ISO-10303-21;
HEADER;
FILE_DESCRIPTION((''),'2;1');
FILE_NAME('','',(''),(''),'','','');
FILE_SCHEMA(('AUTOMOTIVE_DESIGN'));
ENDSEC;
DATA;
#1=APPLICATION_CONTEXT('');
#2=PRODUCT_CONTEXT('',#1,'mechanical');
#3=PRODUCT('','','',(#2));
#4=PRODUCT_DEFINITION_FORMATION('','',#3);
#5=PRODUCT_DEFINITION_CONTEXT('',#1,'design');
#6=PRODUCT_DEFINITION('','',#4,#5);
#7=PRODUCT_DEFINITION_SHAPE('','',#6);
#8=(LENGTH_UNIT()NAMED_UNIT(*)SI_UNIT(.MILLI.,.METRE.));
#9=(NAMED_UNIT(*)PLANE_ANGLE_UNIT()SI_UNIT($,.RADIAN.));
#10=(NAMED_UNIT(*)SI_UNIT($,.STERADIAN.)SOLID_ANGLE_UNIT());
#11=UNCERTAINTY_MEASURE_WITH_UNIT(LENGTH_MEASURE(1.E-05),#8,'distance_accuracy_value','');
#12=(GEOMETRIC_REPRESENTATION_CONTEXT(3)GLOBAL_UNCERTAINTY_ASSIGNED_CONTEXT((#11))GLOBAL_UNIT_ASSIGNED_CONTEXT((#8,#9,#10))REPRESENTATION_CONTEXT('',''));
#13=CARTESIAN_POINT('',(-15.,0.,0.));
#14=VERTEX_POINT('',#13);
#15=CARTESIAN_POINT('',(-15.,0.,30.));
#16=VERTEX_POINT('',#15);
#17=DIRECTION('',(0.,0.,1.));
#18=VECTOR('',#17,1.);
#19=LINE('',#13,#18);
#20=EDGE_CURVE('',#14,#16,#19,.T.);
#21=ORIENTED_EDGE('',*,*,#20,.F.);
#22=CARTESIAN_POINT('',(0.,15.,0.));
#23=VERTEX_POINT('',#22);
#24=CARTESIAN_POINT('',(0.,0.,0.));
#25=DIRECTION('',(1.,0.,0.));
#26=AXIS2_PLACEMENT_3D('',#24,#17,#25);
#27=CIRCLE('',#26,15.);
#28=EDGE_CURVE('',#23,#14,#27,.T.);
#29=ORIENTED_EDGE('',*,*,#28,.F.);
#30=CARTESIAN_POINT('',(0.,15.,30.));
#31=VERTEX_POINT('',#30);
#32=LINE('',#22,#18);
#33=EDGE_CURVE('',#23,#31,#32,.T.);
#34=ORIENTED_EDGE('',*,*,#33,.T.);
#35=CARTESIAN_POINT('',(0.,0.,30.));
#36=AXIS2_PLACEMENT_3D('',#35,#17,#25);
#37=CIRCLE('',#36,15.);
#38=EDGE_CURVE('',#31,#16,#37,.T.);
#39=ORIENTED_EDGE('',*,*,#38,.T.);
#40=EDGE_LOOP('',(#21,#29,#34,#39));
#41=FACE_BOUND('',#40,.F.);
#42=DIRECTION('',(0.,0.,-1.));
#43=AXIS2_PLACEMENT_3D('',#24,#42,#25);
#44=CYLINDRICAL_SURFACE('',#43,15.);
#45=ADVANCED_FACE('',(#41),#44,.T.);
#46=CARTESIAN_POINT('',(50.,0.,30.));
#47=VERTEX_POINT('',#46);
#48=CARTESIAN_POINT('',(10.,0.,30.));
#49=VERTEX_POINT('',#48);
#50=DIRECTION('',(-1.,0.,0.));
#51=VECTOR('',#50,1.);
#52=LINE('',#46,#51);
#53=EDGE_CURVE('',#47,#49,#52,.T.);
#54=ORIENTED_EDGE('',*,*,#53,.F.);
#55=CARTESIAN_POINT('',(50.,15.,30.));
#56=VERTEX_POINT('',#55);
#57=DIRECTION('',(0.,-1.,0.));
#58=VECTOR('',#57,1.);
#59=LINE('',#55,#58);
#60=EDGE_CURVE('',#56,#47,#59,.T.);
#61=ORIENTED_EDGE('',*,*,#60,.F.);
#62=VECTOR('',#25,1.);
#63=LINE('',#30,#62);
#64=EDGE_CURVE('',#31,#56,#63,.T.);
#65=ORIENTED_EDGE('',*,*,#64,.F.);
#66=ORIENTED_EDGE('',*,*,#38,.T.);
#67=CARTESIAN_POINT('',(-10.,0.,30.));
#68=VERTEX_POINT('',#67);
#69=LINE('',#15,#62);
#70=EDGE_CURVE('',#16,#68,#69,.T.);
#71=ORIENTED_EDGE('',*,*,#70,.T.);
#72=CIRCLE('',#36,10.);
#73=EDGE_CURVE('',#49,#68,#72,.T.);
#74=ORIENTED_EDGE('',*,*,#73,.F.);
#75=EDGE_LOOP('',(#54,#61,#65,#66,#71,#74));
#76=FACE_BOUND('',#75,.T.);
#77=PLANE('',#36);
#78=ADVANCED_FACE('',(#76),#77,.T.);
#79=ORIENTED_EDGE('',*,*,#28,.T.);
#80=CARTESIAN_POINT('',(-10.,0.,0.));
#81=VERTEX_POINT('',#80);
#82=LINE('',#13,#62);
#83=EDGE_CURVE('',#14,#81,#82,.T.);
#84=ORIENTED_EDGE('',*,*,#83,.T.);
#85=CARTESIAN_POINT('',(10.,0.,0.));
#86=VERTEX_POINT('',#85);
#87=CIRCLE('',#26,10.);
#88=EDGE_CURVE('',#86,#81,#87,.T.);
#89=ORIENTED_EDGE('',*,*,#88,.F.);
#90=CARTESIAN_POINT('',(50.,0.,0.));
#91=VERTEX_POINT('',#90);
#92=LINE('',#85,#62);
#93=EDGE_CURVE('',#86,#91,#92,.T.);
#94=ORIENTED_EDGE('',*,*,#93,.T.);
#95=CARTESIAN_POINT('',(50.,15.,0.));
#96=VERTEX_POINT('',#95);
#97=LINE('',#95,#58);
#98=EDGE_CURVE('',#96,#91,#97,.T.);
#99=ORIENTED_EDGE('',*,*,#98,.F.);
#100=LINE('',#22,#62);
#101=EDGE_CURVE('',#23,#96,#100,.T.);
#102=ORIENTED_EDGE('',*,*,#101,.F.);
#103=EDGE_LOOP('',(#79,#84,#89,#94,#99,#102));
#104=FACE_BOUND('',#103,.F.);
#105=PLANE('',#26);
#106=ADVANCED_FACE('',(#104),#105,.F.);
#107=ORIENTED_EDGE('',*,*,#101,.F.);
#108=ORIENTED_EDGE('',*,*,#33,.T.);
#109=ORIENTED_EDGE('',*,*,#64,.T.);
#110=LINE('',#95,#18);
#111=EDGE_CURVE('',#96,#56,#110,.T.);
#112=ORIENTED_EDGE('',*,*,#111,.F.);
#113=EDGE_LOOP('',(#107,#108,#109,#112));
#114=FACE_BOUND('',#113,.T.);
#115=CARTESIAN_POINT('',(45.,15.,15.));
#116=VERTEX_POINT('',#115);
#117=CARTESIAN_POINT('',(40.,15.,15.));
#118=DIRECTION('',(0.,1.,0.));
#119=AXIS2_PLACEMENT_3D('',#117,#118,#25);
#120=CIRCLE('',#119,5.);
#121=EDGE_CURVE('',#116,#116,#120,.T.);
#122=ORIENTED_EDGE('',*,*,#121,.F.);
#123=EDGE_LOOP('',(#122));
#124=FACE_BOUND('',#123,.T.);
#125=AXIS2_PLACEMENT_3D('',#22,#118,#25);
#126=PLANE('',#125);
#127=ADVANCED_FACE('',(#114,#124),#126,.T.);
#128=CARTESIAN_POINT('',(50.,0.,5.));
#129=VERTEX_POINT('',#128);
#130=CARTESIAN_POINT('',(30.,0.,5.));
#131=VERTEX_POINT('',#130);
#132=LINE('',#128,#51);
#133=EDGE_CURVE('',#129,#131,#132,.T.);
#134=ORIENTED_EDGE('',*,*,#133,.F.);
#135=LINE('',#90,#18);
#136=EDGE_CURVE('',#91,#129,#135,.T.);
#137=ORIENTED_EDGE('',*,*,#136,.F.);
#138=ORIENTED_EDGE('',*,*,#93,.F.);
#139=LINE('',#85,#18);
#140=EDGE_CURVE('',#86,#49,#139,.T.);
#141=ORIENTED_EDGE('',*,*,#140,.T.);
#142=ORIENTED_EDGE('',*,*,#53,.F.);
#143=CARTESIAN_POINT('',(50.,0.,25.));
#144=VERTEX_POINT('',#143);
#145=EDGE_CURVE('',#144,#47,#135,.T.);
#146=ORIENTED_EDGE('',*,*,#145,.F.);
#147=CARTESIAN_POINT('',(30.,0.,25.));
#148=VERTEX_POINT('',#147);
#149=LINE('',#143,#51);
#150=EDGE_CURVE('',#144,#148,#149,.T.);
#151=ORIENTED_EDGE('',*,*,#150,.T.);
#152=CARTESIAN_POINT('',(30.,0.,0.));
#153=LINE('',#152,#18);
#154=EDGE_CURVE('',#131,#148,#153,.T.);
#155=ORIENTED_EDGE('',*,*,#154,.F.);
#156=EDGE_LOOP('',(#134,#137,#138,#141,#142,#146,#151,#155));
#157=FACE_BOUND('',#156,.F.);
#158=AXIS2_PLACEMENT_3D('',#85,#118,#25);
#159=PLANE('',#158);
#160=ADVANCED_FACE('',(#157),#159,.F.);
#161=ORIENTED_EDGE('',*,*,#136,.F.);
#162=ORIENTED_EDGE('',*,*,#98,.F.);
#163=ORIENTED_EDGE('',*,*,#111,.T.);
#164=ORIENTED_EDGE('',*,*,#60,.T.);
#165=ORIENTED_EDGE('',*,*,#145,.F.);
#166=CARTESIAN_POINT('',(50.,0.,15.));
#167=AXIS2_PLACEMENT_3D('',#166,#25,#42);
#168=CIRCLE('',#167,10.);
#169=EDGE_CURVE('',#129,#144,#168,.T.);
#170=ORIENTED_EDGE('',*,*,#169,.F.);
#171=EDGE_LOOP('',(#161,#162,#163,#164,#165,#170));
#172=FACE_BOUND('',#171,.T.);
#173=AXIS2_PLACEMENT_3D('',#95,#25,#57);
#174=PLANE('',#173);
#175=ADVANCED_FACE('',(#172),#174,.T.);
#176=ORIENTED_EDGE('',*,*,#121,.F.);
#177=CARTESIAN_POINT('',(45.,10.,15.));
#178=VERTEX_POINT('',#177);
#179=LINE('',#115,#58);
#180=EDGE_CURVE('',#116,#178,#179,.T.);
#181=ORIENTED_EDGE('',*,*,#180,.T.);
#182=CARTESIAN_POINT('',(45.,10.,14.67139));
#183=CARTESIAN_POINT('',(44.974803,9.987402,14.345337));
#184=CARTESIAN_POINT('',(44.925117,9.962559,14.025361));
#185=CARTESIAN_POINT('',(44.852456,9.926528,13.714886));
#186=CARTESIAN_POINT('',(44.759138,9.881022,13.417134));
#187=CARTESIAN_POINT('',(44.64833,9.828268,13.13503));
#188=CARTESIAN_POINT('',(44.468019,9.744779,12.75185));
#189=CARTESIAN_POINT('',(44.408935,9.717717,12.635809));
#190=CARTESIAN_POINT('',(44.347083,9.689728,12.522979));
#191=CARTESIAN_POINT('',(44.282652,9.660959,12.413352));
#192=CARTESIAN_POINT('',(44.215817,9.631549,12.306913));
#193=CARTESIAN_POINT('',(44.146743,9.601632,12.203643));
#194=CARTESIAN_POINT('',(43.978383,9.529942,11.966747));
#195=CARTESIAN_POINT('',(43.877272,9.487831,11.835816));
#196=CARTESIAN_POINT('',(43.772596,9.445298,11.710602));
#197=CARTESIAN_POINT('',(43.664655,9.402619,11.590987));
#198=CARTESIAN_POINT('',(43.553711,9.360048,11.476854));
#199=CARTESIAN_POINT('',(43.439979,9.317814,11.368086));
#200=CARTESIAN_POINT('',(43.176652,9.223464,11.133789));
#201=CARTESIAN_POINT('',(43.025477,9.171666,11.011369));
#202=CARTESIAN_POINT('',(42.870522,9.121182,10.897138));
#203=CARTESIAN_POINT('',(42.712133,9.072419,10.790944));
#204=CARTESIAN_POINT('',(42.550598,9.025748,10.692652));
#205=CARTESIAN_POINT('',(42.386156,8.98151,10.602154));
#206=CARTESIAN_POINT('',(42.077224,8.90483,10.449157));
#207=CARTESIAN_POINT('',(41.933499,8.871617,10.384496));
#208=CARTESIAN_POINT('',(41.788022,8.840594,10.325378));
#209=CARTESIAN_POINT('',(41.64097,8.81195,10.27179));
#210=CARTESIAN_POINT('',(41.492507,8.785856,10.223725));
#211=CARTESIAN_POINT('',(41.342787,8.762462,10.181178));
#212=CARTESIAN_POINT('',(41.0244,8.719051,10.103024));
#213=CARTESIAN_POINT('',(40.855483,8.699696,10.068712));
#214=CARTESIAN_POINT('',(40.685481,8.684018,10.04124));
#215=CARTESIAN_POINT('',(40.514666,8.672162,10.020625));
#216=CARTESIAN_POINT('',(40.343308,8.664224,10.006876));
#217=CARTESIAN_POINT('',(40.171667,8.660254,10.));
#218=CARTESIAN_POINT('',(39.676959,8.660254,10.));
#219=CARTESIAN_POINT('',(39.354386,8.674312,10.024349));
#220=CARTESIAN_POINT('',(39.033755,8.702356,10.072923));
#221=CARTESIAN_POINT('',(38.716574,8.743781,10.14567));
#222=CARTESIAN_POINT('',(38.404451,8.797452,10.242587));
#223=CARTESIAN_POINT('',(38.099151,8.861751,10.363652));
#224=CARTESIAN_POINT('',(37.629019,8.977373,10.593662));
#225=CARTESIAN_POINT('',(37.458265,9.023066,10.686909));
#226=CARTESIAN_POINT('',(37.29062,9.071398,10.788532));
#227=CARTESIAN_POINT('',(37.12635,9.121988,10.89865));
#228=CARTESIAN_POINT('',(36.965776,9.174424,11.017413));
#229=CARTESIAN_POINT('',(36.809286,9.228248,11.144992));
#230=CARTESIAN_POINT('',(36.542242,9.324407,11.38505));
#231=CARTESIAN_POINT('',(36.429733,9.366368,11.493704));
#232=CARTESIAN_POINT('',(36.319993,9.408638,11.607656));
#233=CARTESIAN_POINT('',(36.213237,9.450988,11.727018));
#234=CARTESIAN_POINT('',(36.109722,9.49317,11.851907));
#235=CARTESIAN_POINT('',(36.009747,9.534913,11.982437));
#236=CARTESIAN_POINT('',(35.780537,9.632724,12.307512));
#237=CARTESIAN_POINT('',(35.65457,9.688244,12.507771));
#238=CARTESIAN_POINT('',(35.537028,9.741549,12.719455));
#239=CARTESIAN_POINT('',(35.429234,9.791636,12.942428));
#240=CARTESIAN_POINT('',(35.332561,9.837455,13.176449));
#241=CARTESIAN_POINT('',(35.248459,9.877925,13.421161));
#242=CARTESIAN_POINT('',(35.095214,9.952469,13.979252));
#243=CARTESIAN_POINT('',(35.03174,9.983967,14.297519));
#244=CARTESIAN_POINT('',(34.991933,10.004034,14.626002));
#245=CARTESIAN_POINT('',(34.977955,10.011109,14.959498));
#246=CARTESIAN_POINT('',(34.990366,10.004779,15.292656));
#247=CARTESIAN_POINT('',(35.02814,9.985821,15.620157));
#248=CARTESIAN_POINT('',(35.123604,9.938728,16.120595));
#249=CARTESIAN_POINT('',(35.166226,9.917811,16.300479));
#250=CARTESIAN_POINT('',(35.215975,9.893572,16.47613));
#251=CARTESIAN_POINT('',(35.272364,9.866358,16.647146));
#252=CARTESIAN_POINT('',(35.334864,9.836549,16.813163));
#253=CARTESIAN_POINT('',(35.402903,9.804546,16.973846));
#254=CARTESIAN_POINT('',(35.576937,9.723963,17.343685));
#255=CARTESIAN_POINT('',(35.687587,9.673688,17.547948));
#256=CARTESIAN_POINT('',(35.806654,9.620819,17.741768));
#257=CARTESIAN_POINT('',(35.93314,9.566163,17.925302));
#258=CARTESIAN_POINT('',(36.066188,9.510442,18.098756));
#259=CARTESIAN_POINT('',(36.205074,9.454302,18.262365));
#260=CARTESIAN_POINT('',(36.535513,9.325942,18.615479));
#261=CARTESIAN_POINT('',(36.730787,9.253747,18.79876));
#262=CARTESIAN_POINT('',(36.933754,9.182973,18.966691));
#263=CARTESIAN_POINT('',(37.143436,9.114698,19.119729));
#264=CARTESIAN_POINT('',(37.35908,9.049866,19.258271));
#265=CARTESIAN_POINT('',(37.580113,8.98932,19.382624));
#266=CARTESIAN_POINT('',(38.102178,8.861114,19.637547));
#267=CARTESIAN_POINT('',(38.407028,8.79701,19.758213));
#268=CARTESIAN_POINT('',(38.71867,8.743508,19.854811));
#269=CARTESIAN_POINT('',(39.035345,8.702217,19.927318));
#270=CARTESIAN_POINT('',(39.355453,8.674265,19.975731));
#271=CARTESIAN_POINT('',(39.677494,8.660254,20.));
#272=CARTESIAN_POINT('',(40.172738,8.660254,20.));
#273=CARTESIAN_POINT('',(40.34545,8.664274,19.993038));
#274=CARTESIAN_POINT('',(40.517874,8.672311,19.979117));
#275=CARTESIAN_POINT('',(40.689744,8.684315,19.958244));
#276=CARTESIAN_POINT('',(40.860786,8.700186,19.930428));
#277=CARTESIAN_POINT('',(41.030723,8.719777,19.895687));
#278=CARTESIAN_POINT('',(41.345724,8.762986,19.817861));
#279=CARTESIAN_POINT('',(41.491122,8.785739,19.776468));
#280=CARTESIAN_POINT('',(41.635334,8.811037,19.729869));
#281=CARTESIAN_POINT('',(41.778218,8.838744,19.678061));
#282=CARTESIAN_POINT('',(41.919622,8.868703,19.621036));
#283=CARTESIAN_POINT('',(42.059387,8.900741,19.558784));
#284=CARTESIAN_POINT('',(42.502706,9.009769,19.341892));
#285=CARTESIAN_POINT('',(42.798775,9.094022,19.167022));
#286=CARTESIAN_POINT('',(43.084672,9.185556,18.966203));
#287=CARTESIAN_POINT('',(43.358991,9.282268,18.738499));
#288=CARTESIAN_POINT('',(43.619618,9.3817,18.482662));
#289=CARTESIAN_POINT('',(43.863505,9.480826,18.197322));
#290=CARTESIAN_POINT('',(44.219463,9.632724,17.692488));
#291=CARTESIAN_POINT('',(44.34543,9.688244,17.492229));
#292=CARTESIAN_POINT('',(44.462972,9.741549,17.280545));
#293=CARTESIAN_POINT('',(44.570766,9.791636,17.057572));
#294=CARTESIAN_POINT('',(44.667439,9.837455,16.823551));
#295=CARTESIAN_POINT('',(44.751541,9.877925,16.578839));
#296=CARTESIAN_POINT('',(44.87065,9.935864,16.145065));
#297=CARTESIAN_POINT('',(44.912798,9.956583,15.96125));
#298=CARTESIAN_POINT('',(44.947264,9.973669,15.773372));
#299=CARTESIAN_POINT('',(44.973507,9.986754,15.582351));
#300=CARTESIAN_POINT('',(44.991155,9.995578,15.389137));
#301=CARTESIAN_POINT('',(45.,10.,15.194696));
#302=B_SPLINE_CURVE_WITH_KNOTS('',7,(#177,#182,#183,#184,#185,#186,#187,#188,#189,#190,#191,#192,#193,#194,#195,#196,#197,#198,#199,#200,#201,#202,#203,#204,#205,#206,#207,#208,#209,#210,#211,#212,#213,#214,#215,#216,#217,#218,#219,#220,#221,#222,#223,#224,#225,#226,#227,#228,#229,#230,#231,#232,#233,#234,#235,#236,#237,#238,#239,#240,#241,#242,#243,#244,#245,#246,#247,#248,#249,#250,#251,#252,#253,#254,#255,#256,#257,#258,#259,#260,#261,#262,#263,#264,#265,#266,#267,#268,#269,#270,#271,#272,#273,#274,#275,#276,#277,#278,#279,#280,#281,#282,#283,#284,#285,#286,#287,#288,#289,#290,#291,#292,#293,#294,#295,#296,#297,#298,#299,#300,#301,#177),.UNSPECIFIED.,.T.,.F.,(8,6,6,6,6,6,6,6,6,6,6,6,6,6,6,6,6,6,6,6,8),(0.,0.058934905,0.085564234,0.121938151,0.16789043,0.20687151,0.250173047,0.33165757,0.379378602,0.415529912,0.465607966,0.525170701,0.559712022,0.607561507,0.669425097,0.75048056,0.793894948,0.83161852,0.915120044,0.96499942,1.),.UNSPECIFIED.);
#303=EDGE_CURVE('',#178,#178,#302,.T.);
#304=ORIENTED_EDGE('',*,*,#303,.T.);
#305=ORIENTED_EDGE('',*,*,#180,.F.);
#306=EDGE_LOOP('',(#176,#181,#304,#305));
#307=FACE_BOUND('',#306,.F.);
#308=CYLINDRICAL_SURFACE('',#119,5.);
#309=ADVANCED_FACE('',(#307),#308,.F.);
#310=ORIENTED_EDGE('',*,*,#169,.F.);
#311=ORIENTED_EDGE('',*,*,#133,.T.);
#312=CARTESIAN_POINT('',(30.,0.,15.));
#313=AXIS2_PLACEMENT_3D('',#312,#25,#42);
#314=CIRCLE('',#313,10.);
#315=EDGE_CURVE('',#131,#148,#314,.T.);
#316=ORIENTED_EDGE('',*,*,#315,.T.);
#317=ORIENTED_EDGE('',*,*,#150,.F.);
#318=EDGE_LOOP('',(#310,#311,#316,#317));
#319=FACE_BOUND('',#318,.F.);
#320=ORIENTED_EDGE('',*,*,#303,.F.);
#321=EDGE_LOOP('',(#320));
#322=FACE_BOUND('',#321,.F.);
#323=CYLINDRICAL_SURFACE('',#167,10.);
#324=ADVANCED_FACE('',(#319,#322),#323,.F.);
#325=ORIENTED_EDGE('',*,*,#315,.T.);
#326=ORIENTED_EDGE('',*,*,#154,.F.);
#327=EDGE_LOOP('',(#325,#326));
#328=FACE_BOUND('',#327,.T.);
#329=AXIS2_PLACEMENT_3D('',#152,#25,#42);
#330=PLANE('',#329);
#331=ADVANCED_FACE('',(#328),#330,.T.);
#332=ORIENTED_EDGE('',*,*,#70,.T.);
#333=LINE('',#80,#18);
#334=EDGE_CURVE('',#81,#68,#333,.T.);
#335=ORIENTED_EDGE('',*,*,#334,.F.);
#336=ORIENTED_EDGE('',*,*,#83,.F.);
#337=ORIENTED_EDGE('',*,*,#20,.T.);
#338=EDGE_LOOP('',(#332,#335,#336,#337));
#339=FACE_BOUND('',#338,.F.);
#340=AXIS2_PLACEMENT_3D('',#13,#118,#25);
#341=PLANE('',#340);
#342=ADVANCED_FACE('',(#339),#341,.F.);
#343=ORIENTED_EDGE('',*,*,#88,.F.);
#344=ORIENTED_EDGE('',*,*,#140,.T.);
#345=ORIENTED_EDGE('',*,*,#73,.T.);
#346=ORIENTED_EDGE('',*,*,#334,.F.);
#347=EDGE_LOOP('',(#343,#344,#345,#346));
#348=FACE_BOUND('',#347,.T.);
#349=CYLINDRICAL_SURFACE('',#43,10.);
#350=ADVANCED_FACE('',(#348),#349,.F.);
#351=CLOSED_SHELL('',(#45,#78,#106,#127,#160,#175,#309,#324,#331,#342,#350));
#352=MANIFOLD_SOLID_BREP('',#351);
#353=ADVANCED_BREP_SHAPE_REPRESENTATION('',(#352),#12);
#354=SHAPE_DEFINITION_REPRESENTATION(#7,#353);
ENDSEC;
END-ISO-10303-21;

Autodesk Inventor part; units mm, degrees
ref_plane "YZ Plane" through (0, 0, 0) normal (1, 0, 0) x (0, 1, 0)
ref_plane "XZ Plane" through (0, 0, 0) normal (0, 1, 0) x (-1, 0, 0)
ref_plane "XY Plane" through (0, 0, 0) normal (0, 0, 1) x (1, 0, 0)
sketch "Sketch1" plane through (0, 0, 0) normal (0, 0, 1) x (1, 0, 0)
  circle A0 centre (0, 0) radius 10
  circle A1 centre (0, 0) radius 15
  line L0 (0, 15) -> (50, 15)
  line L1 (50, 15) -> (50, -15)
  line L2 (0, -15) -> (50, -15)
  line L3 (-15, 0) -> (50, 0)
  point P0 (-10, 0)
  point P1 (10, 0)
  dimension "d0" = 20
  dimension "d1" = 30
  dimension "d2" = 50
extrude "Extrusion1" add sketch "Sketch1" along normal blind 30 contours A0 L3 A1 | A1 L0 L1 L3 picked at (13.208, 1.1126)
sketch "Sketch2" plane through (50, 0, 0) normal (1, 0, 0) x (0, 0, -1)
  line L0 (0, 0) -> (-30, 0) projected
  circle A0 centre (-15, 0) radius 10
  point P0 (-25, 0)
  point P1 (-5, 0)
  dimension "d5" = 20
extrude "Extrusion2" cut sketch "Sketch2" against normal blind 20 contours L0 A0 picked at (-12.505, 2.2104)
sketch "Sketch3" plane through (0, 15, 0) normal (0, 1, 0) x (1, 0, 0)
  line L0 (50, 0) -> (0, 0) projected
  line L1 (0, 0) -> (0, -30) projected
  line L2 (50, -30) -> (0, -30) projected
  line L3 (50, 0) -> (50, -30) projected
  line L4 (50, -5) -> (50, -25) construction
  line L5 (50, -15) -> (40, -15) construction
  circle A0 centre (40, -15) radius 5
  dimension "d8" = 10
  dimension "d9" = 10
ref_plane "Work Plane1" through (0, 0, 15) normal (0, 0, 1) x (1, 0, 0)
extrude "Extrusion3" cut sketch "Sketch3" against normal blind 10 contours A0
properties part number "AbrazaderaBarraAscenso1"
